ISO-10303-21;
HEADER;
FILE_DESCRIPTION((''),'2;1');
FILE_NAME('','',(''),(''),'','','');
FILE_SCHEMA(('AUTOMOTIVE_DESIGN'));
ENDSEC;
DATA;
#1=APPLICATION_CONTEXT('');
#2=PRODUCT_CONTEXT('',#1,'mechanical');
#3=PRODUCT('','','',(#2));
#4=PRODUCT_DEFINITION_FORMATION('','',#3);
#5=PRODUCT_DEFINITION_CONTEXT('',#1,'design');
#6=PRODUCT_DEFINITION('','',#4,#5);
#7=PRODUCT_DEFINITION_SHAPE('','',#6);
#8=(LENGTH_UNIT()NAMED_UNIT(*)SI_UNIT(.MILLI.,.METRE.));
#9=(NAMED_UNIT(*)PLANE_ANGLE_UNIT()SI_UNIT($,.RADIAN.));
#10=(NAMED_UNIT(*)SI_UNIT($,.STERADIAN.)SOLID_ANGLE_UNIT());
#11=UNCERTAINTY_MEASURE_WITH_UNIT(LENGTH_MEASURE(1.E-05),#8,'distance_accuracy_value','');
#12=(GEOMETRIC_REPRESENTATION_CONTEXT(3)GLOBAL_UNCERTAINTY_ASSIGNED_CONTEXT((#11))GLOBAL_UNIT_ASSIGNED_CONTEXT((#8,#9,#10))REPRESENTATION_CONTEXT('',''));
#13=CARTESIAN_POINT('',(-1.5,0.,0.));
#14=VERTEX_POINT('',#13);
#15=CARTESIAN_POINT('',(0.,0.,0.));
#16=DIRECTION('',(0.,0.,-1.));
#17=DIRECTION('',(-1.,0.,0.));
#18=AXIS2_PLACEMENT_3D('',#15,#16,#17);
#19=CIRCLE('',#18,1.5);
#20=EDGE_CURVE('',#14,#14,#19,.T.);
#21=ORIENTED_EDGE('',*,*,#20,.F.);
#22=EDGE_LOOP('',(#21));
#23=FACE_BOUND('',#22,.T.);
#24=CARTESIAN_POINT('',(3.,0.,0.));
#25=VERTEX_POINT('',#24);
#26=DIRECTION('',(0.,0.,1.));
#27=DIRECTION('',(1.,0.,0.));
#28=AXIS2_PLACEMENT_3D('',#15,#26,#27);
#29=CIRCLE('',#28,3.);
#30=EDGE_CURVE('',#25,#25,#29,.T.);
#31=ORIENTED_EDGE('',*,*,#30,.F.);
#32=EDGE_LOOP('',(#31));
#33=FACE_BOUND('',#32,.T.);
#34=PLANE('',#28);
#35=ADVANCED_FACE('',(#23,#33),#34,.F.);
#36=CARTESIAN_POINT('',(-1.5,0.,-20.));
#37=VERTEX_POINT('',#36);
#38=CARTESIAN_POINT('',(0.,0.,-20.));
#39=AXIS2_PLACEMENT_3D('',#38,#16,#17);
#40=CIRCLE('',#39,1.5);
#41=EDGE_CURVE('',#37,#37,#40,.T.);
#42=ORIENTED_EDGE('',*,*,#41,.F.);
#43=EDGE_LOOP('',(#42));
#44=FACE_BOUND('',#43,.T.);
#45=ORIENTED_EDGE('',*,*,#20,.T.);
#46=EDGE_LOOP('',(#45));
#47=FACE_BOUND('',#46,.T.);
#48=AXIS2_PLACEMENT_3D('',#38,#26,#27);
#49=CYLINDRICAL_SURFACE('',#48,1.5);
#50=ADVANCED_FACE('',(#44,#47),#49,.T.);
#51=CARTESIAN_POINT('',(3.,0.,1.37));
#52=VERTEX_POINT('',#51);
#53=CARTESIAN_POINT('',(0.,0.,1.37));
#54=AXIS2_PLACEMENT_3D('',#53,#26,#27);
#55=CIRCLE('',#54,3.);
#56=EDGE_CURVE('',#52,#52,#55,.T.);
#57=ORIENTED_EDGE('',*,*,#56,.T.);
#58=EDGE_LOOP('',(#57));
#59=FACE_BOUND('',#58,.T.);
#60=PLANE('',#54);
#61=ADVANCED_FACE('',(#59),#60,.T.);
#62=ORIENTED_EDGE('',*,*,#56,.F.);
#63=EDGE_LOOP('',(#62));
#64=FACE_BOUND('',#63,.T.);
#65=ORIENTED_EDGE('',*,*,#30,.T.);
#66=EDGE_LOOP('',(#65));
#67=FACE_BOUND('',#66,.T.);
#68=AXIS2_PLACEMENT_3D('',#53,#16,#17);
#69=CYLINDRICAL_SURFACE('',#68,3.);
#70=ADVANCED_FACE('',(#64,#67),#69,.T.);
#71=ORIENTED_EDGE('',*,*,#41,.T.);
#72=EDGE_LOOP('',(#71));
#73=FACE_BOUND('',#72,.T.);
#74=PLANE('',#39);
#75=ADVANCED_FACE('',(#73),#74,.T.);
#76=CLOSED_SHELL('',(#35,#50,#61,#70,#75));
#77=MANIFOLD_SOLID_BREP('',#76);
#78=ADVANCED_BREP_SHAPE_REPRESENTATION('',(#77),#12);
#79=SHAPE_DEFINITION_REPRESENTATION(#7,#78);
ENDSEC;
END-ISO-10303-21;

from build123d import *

# Parameters (mm, degrees)
ESQUISSE1_R        = 3
BOSS_EXTRU_1_DEPTH = 1.37
ESQUISSE2_R        = 1.5
BOSS_EXTRU_2_DEPTH = 20


with BuildPart() as part:
    # Esquisse1 → Boss.-Extru.1 (new body)
    with BuildSketch(Plane.XY):
        Circle(ESQUISSE1_R)
    extrude(amount=BOSS_EXTRU_1_DEPTH)

    # Esquisse2 → Boss.-Extru.2 (add)
    with BuildSketch(Plane(origin=(0, 0, 0), x_dir=(-1, 0, 0), z_dir=(0, 0, -1))):
        Circle(ESQUISSE2_R)
    extrude(amount=BOSS_EXTRU_2_DEPTH)


solid = part.part
